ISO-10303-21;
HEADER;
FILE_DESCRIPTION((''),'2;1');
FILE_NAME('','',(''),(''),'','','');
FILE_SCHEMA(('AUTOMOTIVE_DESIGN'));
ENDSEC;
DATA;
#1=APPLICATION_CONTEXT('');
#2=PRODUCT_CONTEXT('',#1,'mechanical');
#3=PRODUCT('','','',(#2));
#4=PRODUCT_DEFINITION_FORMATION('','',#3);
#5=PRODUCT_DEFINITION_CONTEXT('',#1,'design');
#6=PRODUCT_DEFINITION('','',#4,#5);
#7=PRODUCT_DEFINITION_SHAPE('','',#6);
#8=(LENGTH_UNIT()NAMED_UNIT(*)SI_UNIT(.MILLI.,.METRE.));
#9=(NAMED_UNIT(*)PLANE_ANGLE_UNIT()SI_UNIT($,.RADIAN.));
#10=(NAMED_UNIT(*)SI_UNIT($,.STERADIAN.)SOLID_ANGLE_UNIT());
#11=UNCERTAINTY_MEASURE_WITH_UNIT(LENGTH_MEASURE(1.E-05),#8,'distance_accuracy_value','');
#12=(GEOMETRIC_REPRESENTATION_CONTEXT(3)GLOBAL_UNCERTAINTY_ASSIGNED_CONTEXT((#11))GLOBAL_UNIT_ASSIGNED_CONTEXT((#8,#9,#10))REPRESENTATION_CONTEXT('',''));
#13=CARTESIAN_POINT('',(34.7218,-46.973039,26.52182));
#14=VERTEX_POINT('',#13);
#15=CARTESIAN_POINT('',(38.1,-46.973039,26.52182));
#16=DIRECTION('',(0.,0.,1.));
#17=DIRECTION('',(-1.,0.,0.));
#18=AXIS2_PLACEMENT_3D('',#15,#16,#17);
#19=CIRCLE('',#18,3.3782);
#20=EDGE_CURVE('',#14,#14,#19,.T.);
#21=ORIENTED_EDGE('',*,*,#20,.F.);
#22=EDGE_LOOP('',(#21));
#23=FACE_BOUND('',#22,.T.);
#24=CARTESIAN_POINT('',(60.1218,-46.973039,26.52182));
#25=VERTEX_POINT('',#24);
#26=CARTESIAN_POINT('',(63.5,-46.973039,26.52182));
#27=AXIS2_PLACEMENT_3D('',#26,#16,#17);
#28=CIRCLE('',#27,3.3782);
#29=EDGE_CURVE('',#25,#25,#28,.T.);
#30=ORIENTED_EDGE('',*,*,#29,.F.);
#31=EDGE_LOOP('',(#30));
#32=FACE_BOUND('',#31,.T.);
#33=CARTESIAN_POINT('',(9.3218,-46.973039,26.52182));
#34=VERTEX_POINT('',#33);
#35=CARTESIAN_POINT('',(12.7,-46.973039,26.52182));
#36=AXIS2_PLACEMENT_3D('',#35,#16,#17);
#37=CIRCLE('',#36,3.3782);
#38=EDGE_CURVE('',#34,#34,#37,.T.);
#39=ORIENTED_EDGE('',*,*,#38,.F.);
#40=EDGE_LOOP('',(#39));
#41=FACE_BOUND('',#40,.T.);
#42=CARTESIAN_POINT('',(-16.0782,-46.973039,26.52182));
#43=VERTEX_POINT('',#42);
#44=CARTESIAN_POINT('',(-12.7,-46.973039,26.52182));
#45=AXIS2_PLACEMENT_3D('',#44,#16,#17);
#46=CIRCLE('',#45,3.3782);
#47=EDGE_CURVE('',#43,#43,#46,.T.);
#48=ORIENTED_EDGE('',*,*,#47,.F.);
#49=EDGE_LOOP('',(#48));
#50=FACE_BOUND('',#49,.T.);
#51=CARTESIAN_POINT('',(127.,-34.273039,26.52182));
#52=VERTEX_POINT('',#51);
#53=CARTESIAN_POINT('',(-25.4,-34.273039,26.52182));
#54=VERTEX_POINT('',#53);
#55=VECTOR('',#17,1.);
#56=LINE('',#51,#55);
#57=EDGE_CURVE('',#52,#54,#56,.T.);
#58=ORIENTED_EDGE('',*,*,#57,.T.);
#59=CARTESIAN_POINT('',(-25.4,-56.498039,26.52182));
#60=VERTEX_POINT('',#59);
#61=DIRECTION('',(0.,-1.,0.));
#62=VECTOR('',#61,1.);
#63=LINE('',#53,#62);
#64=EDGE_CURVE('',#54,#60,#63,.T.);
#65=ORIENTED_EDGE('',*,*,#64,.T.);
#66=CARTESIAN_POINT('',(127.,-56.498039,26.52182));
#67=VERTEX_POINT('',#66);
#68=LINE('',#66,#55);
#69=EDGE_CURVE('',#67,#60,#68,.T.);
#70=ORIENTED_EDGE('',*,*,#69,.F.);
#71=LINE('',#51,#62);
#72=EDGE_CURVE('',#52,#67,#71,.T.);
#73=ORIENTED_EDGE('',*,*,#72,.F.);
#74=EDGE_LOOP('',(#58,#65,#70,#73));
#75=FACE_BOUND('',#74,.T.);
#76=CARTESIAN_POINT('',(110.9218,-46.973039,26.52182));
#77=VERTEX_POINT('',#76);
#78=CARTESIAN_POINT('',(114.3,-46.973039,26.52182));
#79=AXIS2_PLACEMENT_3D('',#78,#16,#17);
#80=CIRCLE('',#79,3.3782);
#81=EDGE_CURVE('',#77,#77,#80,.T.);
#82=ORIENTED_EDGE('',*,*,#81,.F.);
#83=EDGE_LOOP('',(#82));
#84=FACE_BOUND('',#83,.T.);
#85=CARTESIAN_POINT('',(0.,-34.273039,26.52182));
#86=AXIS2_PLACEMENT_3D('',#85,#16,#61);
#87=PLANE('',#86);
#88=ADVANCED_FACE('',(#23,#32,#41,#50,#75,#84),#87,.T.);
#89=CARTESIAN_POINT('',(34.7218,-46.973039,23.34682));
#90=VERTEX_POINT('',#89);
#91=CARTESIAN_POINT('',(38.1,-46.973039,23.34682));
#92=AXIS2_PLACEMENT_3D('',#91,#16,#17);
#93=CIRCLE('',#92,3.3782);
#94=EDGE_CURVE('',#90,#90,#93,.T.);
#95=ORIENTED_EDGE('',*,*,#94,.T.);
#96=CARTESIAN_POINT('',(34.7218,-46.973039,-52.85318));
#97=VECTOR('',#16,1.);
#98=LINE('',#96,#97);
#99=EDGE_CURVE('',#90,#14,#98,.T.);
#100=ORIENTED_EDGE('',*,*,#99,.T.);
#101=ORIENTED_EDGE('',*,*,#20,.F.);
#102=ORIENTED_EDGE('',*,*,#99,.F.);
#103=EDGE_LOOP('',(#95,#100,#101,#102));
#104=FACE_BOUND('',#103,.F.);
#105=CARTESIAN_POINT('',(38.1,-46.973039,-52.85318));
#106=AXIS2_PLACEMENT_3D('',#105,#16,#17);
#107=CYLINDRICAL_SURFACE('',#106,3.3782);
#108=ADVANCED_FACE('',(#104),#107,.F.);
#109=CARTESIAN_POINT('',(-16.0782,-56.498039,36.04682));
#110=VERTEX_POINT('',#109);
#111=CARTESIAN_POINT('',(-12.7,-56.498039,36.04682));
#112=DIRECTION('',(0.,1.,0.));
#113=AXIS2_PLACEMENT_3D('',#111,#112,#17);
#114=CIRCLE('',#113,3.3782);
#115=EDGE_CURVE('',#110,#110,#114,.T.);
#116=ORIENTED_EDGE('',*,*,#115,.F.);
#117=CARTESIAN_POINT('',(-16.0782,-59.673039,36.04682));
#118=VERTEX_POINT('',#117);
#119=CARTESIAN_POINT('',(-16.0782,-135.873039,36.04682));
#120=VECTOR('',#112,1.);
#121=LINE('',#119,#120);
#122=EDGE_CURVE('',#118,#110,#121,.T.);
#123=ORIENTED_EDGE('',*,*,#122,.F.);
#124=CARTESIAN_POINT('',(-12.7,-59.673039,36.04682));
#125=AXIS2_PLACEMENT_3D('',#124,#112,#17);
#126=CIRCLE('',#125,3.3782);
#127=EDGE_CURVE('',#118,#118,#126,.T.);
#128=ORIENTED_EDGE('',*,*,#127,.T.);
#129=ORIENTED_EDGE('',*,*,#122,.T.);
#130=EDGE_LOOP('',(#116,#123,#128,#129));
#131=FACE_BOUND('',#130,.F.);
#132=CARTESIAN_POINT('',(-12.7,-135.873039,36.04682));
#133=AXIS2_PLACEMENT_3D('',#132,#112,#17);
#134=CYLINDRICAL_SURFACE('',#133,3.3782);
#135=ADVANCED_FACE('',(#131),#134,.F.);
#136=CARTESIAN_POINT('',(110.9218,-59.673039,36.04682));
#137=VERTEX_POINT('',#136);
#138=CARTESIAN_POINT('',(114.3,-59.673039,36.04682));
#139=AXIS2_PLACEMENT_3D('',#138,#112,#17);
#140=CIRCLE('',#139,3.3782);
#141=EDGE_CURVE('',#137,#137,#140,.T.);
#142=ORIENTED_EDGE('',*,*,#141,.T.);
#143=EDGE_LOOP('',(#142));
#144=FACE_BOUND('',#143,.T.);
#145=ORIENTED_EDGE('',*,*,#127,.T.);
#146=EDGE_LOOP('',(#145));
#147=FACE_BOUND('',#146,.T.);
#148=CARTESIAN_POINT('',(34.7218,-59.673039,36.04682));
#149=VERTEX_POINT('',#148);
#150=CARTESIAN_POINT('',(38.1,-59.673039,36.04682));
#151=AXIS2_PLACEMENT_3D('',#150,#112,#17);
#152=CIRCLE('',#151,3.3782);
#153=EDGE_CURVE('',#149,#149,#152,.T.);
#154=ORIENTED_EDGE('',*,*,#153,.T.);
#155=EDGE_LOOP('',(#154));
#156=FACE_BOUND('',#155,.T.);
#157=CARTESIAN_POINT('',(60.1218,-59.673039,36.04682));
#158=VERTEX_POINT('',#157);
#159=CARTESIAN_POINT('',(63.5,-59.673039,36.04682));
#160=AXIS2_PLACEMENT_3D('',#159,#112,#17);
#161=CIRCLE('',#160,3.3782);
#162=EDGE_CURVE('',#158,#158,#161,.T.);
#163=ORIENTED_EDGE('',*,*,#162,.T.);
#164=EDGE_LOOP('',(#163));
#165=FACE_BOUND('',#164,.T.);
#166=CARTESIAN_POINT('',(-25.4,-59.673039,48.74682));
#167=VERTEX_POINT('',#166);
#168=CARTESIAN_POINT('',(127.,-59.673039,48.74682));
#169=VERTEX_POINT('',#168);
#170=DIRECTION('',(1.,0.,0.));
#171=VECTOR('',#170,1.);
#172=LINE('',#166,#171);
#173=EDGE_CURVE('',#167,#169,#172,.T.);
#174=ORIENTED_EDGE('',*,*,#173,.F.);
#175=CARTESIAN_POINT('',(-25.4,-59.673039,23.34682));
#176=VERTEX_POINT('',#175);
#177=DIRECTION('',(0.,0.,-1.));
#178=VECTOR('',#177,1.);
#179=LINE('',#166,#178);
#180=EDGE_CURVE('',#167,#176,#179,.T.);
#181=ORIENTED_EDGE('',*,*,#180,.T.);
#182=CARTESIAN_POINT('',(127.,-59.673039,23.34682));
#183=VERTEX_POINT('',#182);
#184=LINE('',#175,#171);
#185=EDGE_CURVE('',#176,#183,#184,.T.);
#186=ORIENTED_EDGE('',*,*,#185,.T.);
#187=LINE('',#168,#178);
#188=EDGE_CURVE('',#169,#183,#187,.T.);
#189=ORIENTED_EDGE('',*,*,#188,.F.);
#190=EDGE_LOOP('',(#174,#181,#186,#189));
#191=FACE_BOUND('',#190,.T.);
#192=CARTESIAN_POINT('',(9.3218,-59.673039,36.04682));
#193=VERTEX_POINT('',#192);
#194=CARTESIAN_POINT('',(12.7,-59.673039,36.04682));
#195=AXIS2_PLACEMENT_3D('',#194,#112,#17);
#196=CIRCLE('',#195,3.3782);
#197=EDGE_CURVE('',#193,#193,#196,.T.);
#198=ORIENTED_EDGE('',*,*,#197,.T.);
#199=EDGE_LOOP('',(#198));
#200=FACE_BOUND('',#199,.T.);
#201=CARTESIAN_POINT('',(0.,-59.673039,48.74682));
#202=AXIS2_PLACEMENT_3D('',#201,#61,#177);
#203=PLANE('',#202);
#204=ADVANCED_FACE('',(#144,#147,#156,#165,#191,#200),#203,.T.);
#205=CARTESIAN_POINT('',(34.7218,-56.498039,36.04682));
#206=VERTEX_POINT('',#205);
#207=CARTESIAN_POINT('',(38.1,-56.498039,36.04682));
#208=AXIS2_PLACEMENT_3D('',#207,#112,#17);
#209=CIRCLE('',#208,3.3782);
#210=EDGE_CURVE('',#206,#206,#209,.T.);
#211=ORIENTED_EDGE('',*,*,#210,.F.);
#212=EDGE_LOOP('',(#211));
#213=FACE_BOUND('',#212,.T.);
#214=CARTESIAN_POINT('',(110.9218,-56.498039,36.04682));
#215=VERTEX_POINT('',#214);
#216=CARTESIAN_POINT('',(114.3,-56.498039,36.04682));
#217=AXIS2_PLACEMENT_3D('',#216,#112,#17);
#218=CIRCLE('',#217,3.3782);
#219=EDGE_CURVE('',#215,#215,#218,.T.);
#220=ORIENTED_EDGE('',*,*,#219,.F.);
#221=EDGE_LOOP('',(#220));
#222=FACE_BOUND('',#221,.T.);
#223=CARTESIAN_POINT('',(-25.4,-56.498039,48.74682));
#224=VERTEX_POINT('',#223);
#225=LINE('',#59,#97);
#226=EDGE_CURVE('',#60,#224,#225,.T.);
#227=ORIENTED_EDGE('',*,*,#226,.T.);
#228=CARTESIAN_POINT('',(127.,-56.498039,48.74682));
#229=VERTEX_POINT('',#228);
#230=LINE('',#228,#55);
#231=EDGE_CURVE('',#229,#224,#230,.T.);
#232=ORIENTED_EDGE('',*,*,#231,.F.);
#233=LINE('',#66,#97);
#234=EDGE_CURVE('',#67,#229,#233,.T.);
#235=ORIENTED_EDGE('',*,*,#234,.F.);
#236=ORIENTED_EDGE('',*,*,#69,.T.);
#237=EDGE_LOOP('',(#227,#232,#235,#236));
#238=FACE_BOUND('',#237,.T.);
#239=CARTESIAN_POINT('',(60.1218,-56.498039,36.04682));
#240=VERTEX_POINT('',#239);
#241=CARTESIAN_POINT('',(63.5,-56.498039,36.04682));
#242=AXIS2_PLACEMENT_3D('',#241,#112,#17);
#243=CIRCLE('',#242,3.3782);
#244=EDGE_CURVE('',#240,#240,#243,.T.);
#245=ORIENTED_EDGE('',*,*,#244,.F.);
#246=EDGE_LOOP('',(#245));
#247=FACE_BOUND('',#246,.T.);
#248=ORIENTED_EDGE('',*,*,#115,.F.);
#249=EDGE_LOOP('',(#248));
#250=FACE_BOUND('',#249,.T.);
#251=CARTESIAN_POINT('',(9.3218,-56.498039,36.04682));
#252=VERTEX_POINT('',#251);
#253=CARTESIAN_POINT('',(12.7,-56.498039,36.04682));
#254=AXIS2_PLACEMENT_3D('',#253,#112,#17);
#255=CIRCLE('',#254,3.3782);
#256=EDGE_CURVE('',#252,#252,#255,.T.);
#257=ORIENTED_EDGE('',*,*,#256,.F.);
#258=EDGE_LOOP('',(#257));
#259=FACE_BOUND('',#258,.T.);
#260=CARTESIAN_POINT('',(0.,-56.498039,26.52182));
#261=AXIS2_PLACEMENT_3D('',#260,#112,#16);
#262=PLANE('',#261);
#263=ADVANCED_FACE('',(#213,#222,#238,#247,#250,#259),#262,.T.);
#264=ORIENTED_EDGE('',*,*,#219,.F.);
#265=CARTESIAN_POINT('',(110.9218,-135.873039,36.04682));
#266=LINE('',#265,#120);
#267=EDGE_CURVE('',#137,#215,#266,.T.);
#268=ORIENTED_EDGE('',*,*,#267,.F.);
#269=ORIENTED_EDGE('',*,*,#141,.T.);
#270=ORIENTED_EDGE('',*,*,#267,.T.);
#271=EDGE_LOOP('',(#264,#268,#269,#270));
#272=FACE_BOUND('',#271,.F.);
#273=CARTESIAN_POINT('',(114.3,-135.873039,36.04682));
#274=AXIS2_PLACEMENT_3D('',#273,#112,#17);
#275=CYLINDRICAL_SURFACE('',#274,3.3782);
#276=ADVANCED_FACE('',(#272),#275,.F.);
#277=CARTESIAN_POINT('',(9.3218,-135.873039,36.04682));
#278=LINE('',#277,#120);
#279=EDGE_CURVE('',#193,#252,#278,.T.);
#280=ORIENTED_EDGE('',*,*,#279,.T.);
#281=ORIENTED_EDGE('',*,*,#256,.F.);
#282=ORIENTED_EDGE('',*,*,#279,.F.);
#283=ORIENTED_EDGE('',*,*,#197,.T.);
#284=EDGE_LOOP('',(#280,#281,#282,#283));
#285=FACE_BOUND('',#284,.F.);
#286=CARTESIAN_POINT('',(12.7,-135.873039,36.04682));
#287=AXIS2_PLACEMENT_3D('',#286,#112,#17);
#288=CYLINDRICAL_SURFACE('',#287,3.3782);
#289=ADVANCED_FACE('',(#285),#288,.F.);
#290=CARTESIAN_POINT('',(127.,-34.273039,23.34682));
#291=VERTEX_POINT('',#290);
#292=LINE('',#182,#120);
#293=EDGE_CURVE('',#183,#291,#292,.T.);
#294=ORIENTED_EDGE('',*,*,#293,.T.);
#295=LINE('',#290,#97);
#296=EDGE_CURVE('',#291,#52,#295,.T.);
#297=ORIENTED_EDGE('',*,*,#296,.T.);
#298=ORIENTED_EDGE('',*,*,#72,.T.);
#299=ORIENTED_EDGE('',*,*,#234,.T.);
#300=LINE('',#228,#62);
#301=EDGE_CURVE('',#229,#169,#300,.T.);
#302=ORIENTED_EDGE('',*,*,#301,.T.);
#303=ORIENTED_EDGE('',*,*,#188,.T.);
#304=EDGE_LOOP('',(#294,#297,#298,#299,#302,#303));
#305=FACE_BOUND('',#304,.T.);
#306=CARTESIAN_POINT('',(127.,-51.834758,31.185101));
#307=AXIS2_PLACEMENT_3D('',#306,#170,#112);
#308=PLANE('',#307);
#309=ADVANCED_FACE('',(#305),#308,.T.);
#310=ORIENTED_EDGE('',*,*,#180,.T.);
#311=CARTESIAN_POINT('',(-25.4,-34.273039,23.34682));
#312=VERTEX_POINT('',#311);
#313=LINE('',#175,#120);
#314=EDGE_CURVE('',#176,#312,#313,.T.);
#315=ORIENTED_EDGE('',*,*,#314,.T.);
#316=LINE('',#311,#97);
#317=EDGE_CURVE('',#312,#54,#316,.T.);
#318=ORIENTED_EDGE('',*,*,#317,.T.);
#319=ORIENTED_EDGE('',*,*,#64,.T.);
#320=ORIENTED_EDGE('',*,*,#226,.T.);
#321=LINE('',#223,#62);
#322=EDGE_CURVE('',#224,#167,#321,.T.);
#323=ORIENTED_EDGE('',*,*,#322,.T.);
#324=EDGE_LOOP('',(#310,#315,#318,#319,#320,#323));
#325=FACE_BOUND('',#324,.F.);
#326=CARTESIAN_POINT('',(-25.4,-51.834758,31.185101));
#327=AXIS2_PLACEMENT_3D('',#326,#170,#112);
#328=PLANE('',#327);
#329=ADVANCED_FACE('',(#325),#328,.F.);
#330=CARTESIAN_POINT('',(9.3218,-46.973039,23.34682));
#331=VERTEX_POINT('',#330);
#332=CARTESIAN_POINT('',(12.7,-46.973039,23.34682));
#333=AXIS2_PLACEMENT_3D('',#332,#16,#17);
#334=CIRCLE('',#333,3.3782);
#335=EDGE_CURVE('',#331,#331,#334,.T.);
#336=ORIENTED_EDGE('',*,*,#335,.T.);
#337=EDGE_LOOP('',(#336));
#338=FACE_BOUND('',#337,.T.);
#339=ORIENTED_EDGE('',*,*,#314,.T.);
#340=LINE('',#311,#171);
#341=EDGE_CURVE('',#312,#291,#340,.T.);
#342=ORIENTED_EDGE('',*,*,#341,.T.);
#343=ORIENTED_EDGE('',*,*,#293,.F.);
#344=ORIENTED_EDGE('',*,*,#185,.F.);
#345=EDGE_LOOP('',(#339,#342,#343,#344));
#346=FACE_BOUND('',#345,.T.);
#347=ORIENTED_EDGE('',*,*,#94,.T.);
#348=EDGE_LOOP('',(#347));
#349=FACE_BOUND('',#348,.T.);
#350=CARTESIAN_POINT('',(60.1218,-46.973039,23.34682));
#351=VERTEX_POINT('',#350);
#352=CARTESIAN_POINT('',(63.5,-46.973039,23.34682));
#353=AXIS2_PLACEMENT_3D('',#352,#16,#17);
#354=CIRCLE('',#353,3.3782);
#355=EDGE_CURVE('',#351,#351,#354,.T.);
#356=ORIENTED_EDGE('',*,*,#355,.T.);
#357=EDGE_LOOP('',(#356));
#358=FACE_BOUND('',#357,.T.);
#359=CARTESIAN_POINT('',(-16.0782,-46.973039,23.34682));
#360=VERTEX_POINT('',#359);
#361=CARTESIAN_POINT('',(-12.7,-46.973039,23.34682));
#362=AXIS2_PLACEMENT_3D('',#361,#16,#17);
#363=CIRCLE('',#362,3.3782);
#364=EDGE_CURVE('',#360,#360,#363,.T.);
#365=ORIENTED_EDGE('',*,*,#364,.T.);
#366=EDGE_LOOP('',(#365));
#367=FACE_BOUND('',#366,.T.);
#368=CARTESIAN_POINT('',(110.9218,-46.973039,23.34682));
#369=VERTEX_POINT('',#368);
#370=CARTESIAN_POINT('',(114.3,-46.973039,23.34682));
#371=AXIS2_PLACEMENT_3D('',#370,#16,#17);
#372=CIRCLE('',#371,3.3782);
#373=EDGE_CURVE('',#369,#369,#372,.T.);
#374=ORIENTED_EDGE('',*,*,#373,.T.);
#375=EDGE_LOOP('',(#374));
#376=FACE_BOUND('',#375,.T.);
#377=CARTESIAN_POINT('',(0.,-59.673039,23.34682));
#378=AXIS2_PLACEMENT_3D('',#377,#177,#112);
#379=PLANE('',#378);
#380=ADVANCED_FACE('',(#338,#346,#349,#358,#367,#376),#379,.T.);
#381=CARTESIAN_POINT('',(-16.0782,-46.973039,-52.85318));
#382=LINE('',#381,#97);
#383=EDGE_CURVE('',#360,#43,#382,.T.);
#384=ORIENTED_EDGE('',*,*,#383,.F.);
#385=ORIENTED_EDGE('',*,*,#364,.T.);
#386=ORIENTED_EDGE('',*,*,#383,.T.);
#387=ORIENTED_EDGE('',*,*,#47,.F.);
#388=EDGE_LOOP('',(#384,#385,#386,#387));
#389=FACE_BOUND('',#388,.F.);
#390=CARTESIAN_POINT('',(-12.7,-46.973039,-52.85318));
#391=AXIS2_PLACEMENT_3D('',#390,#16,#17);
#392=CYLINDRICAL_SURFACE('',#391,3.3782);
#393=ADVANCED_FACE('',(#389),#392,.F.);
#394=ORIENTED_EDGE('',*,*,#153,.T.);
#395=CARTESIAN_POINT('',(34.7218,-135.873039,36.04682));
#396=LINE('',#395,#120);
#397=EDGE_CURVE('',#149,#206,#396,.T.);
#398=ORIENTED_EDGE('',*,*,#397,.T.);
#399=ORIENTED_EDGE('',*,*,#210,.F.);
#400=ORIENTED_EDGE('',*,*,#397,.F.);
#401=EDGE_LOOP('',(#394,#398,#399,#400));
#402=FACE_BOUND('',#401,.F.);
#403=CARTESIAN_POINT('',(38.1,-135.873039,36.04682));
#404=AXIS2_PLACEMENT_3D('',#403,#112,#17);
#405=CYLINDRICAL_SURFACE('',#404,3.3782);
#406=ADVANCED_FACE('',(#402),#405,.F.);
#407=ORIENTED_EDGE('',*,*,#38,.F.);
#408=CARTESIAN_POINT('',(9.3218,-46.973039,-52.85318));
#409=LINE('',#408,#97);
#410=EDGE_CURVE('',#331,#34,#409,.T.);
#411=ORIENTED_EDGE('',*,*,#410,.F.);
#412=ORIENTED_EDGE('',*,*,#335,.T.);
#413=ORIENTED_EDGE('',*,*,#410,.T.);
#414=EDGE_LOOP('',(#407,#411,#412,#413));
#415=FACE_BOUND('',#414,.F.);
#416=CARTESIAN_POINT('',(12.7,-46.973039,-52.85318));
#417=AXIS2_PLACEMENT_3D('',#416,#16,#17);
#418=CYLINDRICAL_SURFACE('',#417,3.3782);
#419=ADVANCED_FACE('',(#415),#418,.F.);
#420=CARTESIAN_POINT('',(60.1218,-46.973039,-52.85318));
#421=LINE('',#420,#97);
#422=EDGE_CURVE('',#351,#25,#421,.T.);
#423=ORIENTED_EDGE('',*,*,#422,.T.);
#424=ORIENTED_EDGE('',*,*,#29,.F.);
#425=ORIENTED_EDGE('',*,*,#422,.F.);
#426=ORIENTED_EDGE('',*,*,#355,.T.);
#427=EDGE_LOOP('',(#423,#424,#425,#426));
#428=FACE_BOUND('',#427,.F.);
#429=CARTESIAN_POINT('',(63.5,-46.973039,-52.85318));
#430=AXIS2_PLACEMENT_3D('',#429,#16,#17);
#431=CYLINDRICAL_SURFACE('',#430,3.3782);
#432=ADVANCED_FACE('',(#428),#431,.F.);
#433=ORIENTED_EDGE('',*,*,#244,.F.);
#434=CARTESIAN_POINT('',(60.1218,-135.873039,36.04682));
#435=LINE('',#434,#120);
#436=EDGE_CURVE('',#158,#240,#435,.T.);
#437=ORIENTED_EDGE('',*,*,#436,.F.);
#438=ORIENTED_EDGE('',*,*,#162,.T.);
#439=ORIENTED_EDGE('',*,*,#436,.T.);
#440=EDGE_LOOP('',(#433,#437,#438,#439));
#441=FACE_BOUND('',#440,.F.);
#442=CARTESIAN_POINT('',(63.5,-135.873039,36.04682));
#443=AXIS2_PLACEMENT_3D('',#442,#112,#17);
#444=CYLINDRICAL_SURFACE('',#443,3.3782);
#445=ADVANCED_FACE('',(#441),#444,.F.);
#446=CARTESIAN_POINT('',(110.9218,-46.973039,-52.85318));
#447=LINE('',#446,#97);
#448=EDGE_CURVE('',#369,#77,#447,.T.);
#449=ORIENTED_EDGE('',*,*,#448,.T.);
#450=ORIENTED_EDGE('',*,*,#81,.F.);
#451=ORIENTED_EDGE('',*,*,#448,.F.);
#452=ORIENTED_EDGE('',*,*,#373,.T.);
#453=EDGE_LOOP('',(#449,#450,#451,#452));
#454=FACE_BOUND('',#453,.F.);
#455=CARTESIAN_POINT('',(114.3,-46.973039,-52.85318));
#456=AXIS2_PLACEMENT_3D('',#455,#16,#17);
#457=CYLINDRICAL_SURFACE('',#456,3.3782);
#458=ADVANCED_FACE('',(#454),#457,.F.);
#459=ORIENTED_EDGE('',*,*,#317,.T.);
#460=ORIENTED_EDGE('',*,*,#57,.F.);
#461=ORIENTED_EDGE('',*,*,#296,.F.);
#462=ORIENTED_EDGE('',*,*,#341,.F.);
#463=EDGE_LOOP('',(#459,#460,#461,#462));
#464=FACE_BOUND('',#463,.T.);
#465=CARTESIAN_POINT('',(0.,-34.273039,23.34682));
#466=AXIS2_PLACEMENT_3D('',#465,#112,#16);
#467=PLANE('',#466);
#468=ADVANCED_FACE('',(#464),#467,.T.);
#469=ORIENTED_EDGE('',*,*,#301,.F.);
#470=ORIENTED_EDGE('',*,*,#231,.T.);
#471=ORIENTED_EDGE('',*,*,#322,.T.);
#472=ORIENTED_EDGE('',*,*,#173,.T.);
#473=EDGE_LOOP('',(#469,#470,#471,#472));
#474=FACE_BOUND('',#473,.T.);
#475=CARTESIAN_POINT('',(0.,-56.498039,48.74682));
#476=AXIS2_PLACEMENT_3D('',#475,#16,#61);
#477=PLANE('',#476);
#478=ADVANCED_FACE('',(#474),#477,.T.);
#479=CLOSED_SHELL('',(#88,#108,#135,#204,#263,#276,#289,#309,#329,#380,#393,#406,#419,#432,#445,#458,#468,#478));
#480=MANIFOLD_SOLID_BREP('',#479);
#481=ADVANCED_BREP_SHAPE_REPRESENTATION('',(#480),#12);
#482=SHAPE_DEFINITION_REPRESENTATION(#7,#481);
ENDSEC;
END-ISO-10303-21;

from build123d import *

# Parameters (mm, degrees)
F1_DEPTH       = 127
F2_DEPTH       = 25.4
F5_D           = 6.7564
F5_DEPTH       = 76.2
F5_TIP         = 2.0298273432
F5_ON_F3_D     = 6.7564
F5_ON_F3_DEPTH = 76.2
F5_ON_F3_TIP   = 2.0298273432


with BuildPart() as f1:
    # F0 (on Right) → F1 (new body)
    with BuildSketch(Plane.YZ):
        Polygon((-56.4980393835, 48.746819774), (-59.6730393835, 48.746819774), (-59.6730393835, 23.346819774), (-34.2730393835, 23.346819774), (-34.2730393835, 26.521819774), (-56.4980393835, 26.521819774), align=None)
    extrude(amount=F1_DEPTH)

    # F2 (add): a face of the model
    f2_faces = [f1.faces().sort_by_distance(p)[0] for p in [
        (0, -58.0855393835, 48.3876095291),
    ]]
    extrude(f2_faces, amount=F2_DEPTH)

    # F5
    with Locations(Plane(origin=(0, 0, 23.346819774), x_dir=(1, 0, 0), z_dir=(0, 0, -1))):
        with Locations((114.3, 46.9730393835), (63.5, 46.9730393835), (38.1, 46.9730393835), (12.7, 46.9730393835), (-12.7, 46.9730393835)):
            Hole(F5_D / 2, depth=F5_DEPTH)
            with Locations((0, 0, -(F5_DEPTH + F5_TIP / 2))):  # 118° drill point
                Cone(0, F5_D / 2, F5_TIP, mode=Mode.SUBTRACT)

    # F5 on F3
    with Locations(Plane.XZ.offset(59.6730393835)):
        with Locations((114.3, 36.046819774), (63.5, 36.046819774), (38.1, 36.046819774), (12.7, 36.046819774), (-12.7, 36.046819774)):
            Hole(F5_ON_F3_D / 2, depth=F5_ON_F3_DEPTH)
            with Locations((0, 0, -(F5_ON_F3_DEPTH + F5_ON_F3_TIP / 2))):  # 118° drill point
                Cone(0, F5_ON_F3_D / 2, F5_ON_F3_TIP, mode=Mode.SUBTRACT)


solid = f1.part
